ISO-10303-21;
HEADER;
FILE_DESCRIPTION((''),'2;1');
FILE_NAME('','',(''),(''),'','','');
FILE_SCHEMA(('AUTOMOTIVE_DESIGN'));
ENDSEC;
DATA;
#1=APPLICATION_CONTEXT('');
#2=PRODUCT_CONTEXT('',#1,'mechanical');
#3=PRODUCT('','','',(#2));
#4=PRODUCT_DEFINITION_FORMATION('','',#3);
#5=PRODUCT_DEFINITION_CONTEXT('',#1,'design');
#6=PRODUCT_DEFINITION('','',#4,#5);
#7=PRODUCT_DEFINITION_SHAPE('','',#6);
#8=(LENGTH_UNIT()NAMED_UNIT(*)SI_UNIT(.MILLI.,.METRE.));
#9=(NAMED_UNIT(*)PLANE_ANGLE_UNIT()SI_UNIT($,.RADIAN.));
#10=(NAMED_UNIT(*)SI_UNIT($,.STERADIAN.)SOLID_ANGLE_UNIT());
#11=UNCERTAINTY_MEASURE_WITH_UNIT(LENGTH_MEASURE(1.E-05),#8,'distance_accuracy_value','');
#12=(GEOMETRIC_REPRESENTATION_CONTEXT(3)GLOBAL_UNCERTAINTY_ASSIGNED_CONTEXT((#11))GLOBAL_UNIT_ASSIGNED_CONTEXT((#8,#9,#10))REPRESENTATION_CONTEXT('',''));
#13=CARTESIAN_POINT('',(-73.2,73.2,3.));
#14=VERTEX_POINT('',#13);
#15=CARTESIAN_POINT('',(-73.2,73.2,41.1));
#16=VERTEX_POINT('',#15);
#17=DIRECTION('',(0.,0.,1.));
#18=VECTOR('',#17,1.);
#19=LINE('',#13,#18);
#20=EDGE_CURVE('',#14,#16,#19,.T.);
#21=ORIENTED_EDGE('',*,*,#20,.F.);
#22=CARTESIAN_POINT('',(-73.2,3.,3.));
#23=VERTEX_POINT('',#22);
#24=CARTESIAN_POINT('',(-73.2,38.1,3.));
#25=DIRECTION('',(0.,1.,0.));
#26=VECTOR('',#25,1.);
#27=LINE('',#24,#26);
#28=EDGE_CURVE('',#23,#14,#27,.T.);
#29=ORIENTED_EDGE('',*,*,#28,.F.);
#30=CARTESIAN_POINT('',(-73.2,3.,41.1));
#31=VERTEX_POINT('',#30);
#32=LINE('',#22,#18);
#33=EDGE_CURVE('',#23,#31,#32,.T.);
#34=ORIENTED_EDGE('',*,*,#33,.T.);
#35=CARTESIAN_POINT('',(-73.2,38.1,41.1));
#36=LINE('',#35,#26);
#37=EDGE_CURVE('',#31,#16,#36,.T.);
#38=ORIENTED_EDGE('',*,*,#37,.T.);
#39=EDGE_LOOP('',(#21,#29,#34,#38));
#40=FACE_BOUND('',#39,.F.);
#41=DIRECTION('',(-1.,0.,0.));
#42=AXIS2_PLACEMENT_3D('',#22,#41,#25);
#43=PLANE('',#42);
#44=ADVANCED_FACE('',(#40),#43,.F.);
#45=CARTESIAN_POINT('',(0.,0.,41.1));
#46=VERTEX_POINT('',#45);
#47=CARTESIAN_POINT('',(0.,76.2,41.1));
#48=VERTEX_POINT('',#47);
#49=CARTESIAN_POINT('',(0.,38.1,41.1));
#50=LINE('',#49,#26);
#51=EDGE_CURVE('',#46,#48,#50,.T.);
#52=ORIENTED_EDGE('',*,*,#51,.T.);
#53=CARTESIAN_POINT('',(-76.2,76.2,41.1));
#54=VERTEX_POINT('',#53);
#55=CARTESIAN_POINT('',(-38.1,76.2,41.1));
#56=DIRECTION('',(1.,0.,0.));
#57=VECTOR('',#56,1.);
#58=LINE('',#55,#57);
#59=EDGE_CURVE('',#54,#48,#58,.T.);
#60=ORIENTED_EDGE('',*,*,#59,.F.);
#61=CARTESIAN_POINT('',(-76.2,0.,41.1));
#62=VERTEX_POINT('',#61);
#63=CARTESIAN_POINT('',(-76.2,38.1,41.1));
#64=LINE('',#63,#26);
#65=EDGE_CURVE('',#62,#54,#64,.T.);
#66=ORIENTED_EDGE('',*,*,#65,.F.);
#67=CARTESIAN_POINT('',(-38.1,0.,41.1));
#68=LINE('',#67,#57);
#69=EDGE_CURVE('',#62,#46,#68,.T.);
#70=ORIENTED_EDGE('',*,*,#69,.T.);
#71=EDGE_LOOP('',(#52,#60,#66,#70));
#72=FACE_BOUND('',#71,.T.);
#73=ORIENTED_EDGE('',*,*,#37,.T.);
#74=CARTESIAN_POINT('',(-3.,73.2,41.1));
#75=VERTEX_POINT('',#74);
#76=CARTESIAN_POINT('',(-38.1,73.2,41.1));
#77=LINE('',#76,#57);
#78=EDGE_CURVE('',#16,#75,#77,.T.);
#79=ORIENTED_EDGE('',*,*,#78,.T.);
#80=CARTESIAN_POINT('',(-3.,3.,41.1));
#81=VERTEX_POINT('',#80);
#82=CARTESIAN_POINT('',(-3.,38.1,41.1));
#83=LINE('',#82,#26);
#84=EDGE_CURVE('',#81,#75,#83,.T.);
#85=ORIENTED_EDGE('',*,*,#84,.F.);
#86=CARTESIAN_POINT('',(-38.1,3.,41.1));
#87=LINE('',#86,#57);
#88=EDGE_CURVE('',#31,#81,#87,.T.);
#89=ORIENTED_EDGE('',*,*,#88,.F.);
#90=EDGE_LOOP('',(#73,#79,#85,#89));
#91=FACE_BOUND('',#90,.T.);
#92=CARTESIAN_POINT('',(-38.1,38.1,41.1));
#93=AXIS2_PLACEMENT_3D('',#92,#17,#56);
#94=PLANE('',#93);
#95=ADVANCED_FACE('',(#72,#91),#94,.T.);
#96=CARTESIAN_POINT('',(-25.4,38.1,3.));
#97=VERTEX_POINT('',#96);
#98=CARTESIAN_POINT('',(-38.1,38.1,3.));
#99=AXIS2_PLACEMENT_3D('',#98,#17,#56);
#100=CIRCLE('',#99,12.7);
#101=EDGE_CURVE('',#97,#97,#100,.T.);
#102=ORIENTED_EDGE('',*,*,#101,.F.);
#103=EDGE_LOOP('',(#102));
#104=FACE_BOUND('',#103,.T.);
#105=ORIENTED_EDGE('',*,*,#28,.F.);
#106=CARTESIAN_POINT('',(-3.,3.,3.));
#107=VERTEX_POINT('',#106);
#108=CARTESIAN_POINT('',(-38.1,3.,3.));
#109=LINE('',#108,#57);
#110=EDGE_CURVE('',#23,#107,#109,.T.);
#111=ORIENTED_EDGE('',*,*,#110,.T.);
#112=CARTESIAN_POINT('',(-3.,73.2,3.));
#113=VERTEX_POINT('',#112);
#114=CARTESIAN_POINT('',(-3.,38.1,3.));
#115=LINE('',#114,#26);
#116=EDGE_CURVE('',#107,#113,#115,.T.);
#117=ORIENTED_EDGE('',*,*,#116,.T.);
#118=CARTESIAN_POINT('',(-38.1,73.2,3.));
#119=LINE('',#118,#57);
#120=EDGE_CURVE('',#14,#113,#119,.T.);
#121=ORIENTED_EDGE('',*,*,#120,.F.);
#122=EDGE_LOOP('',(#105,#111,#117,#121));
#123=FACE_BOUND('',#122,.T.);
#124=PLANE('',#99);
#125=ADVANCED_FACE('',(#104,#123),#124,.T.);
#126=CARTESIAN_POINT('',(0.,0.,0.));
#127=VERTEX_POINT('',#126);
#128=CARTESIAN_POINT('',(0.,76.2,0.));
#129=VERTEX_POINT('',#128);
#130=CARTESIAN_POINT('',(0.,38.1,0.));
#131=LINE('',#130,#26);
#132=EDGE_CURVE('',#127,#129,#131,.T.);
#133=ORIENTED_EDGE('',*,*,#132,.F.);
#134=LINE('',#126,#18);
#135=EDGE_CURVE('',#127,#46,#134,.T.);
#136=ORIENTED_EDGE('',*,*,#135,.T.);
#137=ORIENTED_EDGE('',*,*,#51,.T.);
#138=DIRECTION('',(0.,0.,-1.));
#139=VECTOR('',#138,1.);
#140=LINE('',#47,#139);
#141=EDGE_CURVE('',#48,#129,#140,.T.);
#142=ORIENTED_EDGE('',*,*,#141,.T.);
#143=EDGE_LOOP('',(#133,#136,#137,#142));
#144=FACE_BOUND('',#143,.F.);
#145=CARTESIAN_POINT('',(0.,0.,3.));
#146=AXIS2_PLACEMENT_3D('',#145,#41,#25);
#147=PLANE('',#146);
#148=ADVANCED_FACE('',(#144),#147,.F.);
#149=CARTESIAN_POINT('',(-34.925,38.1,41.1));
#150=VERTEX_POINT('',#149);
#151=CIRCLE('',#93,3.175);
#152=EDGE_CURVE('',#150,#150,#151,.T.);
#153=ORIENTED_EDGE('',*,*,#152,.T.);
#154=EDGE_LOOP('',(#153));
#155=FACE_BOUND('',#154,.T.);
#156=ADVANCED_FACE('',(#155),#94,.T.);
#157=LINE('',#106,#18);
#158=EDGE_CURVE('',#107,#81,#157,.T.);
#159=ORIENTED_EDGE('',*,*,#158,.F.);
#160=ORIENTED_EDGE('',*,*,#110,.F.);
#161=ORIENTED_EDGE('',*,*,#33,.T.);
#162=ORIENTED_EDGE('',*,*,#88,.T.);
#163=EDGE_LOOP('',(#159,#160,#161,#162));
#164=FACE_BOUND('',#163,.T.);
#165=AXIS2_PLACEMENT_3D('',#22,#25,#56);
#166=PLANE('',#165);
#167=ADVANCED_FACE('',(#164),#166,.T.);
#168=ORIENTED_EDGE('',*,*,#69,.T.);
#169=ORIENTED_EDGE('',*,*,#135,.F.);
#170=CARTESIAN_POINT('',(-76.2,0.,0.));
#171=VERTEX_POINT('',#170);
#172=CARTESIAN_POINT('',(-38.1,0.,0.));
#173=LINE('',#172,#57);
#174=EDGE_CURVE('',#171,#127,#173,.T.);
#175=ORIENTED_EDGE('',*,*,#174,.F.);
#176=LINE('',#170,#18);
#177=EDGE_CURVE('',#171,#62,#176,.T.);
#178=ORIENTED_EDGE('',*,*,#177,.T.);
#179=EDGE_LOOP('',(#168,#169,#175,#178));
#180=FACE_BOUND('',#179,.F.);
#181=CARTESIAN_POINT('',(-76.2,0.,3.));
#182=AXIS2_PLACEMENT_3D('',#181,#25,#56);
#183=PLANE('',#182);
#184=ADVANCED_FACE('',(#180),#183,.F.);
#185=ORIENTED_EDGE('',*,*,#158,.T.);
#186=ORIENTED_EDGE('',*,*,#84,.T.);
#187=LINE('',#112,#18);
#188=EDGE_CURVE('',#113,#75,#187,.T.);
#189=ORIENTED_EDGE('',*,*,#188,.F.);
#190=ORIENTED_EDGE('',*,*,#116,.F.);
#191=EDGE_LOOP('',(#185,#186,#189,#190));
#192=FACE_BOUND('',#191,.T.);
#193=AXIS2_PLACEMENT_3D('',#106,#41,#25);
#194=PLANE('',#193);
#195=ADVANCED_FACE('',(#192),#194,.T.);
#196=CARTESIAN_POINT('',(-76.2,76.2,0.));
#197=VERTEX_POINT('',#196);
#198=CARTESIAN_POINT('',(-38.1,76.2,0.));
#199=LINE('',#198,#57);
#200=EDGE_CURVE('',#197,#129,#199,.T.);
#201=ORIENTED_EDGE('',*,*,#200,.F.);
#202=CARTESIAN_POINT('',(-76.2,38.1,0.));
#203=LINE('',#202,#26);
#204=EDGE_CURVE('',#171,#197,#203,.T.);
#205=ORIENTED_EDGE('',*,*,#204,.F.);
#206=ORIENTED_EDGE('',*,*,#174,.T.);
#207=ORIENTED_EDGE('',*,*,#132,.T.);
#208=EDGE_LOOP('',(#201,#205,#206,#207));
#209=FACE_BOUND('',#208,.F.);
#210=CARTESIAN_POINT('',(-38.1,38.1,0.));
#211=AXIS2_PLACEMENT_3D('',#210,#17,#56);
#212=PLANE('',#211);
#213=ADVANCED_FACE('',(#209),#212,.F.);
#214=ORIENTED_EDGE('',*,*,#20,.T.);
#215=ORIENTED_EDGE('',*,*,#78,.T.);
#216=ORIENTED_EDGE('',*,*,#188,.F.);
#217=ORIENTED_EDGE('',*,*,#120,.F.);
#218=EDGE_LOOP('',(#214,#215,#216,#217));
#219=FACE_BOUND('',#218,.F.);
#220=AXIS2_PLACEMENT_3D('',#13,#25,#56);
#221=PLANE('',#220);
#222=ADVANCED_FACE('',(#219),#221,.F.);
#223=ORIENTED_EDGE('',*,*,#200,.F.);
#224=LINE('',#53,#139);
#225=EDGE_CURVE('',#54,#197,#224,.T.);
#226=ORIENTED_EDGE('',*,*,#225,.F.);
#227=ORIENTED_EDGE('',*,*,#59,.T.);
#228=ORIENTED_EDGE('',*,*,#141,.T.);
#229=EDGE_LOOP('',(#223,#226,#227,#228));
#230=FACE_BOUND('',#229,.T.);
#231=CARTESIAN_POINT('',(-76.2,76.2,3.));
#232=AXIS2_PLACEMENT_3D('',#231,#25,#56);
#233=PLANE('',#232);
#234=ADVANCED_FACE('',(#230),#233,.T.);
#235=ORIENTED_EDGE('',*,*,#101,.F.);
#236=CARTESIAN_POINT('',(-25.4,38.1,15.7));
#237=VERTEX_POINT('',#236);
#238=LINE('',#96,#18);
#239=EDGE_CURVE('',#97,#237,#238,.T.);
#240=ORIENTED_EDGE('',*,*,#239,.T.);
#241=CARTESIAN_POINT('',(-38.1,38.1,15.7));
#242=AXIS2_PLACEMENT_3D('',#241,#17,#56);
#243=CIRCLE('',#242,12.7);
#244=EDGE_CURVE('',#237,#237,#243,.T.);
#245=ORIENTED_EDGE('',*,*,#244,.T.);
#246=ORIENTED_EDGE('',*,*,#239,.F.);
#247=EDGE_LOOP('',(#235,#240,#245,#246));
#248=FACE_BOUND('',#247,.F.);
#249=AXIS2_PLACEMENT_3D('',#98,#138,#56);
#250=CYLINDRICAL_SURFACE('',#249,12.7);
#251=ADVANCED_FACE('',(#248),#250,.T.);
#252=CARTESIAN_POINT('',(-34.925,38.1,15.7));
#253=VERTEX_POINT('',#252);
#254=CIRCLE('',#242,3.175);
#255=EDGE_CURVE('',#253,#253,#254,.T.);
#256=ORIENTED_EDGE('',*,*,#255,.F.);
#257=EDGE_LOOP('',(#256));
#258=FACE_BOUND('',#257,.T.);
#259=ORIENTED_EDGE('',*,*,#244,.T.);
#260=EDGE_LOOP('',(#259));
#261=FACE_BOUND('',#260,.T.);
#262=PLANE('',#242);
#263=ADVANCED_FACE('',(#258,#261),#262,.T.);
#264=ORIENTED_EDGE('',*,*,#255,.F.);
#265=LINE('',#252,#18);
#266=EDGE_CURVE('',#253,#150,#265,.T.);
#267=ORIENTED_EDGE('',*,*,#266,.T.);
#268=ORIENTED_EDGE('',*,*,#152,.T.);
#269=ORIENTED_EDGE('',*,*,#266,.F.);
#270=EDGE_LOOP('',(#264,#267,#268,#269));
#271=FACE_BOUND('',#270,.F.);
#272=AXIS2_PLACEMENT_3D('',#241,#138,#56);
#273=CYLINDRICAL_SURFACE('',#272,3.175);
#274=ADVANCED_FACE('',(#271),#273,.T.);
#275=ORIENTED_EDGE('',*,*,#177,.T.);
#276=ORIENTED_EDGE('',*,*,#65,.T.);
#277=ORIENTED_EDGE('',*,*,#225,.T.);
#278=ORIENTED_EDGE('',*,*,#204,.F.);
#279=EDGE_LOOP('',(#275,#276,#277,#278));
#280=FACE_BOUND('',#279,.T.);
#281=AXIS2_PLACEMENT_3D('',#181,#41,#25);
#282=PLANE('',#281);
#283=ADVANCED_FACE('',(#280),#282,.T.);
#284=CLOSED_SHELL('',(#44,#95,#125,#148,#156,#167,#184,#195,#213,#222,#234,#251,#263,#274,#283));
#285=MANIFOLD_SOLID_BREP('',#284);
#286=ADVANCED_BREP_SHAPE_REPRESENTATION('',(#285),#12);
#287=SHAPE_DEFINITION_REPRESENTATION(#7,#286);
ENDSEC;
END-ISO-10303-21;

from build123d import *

# Parameters (mm, degrees)
F0_W     = 76.2
F0_H     = 76.2
F1_DEPTH = 3
F2_W     = 76.2
F2_H     = 76.2
F2_W_2   = 70.2
F2_H_2   = 70.2
F3_DEPTH = 38.1
F4_R     = 12.7
F5_DEPTH = 12.7
F6_R     = 3.175
F7_DEPTH = 25.4


with BuildPart() as f1:
    # F0 (on Top) → F1 (new body)
    with BuildSketch(Plane.XY):
        with Locations((-38.1, 38.1)):
            Rectangle(F0_W, F0_H)
    extrude(amount=F1_DEPTH)

    # F2 (on face) → F3 (join)
    with BuildSketch(Plane.XY.offset(3)):
        with Locations((-38.1, 38.1)):
            Rectangle(F2_W, F2_H)
        with Locations((-38.1, 38.1)):
            Rectangle(F2_W_2, F2_H_2, mode=Mode.SUBTRACT)
    extrude(amount=F3_DEPTH)

    # F4 (on face) → F5 (join)
    with BuildSketch(Plane.XY.offset(3)):
        with Locations((-38.1, 38.1)):
            Circle(F4_R)
    extrude(amount=F5_DEPTH)

    # F6 (on face) → F7 (join)
    with BuildSketch(Plane.XY.offset(15.7)):
        with Locations((-38.1, 38.1)):
            Circle(F6_R)
    extrude(amount=F7_DEPTH)


solid = f1.part
